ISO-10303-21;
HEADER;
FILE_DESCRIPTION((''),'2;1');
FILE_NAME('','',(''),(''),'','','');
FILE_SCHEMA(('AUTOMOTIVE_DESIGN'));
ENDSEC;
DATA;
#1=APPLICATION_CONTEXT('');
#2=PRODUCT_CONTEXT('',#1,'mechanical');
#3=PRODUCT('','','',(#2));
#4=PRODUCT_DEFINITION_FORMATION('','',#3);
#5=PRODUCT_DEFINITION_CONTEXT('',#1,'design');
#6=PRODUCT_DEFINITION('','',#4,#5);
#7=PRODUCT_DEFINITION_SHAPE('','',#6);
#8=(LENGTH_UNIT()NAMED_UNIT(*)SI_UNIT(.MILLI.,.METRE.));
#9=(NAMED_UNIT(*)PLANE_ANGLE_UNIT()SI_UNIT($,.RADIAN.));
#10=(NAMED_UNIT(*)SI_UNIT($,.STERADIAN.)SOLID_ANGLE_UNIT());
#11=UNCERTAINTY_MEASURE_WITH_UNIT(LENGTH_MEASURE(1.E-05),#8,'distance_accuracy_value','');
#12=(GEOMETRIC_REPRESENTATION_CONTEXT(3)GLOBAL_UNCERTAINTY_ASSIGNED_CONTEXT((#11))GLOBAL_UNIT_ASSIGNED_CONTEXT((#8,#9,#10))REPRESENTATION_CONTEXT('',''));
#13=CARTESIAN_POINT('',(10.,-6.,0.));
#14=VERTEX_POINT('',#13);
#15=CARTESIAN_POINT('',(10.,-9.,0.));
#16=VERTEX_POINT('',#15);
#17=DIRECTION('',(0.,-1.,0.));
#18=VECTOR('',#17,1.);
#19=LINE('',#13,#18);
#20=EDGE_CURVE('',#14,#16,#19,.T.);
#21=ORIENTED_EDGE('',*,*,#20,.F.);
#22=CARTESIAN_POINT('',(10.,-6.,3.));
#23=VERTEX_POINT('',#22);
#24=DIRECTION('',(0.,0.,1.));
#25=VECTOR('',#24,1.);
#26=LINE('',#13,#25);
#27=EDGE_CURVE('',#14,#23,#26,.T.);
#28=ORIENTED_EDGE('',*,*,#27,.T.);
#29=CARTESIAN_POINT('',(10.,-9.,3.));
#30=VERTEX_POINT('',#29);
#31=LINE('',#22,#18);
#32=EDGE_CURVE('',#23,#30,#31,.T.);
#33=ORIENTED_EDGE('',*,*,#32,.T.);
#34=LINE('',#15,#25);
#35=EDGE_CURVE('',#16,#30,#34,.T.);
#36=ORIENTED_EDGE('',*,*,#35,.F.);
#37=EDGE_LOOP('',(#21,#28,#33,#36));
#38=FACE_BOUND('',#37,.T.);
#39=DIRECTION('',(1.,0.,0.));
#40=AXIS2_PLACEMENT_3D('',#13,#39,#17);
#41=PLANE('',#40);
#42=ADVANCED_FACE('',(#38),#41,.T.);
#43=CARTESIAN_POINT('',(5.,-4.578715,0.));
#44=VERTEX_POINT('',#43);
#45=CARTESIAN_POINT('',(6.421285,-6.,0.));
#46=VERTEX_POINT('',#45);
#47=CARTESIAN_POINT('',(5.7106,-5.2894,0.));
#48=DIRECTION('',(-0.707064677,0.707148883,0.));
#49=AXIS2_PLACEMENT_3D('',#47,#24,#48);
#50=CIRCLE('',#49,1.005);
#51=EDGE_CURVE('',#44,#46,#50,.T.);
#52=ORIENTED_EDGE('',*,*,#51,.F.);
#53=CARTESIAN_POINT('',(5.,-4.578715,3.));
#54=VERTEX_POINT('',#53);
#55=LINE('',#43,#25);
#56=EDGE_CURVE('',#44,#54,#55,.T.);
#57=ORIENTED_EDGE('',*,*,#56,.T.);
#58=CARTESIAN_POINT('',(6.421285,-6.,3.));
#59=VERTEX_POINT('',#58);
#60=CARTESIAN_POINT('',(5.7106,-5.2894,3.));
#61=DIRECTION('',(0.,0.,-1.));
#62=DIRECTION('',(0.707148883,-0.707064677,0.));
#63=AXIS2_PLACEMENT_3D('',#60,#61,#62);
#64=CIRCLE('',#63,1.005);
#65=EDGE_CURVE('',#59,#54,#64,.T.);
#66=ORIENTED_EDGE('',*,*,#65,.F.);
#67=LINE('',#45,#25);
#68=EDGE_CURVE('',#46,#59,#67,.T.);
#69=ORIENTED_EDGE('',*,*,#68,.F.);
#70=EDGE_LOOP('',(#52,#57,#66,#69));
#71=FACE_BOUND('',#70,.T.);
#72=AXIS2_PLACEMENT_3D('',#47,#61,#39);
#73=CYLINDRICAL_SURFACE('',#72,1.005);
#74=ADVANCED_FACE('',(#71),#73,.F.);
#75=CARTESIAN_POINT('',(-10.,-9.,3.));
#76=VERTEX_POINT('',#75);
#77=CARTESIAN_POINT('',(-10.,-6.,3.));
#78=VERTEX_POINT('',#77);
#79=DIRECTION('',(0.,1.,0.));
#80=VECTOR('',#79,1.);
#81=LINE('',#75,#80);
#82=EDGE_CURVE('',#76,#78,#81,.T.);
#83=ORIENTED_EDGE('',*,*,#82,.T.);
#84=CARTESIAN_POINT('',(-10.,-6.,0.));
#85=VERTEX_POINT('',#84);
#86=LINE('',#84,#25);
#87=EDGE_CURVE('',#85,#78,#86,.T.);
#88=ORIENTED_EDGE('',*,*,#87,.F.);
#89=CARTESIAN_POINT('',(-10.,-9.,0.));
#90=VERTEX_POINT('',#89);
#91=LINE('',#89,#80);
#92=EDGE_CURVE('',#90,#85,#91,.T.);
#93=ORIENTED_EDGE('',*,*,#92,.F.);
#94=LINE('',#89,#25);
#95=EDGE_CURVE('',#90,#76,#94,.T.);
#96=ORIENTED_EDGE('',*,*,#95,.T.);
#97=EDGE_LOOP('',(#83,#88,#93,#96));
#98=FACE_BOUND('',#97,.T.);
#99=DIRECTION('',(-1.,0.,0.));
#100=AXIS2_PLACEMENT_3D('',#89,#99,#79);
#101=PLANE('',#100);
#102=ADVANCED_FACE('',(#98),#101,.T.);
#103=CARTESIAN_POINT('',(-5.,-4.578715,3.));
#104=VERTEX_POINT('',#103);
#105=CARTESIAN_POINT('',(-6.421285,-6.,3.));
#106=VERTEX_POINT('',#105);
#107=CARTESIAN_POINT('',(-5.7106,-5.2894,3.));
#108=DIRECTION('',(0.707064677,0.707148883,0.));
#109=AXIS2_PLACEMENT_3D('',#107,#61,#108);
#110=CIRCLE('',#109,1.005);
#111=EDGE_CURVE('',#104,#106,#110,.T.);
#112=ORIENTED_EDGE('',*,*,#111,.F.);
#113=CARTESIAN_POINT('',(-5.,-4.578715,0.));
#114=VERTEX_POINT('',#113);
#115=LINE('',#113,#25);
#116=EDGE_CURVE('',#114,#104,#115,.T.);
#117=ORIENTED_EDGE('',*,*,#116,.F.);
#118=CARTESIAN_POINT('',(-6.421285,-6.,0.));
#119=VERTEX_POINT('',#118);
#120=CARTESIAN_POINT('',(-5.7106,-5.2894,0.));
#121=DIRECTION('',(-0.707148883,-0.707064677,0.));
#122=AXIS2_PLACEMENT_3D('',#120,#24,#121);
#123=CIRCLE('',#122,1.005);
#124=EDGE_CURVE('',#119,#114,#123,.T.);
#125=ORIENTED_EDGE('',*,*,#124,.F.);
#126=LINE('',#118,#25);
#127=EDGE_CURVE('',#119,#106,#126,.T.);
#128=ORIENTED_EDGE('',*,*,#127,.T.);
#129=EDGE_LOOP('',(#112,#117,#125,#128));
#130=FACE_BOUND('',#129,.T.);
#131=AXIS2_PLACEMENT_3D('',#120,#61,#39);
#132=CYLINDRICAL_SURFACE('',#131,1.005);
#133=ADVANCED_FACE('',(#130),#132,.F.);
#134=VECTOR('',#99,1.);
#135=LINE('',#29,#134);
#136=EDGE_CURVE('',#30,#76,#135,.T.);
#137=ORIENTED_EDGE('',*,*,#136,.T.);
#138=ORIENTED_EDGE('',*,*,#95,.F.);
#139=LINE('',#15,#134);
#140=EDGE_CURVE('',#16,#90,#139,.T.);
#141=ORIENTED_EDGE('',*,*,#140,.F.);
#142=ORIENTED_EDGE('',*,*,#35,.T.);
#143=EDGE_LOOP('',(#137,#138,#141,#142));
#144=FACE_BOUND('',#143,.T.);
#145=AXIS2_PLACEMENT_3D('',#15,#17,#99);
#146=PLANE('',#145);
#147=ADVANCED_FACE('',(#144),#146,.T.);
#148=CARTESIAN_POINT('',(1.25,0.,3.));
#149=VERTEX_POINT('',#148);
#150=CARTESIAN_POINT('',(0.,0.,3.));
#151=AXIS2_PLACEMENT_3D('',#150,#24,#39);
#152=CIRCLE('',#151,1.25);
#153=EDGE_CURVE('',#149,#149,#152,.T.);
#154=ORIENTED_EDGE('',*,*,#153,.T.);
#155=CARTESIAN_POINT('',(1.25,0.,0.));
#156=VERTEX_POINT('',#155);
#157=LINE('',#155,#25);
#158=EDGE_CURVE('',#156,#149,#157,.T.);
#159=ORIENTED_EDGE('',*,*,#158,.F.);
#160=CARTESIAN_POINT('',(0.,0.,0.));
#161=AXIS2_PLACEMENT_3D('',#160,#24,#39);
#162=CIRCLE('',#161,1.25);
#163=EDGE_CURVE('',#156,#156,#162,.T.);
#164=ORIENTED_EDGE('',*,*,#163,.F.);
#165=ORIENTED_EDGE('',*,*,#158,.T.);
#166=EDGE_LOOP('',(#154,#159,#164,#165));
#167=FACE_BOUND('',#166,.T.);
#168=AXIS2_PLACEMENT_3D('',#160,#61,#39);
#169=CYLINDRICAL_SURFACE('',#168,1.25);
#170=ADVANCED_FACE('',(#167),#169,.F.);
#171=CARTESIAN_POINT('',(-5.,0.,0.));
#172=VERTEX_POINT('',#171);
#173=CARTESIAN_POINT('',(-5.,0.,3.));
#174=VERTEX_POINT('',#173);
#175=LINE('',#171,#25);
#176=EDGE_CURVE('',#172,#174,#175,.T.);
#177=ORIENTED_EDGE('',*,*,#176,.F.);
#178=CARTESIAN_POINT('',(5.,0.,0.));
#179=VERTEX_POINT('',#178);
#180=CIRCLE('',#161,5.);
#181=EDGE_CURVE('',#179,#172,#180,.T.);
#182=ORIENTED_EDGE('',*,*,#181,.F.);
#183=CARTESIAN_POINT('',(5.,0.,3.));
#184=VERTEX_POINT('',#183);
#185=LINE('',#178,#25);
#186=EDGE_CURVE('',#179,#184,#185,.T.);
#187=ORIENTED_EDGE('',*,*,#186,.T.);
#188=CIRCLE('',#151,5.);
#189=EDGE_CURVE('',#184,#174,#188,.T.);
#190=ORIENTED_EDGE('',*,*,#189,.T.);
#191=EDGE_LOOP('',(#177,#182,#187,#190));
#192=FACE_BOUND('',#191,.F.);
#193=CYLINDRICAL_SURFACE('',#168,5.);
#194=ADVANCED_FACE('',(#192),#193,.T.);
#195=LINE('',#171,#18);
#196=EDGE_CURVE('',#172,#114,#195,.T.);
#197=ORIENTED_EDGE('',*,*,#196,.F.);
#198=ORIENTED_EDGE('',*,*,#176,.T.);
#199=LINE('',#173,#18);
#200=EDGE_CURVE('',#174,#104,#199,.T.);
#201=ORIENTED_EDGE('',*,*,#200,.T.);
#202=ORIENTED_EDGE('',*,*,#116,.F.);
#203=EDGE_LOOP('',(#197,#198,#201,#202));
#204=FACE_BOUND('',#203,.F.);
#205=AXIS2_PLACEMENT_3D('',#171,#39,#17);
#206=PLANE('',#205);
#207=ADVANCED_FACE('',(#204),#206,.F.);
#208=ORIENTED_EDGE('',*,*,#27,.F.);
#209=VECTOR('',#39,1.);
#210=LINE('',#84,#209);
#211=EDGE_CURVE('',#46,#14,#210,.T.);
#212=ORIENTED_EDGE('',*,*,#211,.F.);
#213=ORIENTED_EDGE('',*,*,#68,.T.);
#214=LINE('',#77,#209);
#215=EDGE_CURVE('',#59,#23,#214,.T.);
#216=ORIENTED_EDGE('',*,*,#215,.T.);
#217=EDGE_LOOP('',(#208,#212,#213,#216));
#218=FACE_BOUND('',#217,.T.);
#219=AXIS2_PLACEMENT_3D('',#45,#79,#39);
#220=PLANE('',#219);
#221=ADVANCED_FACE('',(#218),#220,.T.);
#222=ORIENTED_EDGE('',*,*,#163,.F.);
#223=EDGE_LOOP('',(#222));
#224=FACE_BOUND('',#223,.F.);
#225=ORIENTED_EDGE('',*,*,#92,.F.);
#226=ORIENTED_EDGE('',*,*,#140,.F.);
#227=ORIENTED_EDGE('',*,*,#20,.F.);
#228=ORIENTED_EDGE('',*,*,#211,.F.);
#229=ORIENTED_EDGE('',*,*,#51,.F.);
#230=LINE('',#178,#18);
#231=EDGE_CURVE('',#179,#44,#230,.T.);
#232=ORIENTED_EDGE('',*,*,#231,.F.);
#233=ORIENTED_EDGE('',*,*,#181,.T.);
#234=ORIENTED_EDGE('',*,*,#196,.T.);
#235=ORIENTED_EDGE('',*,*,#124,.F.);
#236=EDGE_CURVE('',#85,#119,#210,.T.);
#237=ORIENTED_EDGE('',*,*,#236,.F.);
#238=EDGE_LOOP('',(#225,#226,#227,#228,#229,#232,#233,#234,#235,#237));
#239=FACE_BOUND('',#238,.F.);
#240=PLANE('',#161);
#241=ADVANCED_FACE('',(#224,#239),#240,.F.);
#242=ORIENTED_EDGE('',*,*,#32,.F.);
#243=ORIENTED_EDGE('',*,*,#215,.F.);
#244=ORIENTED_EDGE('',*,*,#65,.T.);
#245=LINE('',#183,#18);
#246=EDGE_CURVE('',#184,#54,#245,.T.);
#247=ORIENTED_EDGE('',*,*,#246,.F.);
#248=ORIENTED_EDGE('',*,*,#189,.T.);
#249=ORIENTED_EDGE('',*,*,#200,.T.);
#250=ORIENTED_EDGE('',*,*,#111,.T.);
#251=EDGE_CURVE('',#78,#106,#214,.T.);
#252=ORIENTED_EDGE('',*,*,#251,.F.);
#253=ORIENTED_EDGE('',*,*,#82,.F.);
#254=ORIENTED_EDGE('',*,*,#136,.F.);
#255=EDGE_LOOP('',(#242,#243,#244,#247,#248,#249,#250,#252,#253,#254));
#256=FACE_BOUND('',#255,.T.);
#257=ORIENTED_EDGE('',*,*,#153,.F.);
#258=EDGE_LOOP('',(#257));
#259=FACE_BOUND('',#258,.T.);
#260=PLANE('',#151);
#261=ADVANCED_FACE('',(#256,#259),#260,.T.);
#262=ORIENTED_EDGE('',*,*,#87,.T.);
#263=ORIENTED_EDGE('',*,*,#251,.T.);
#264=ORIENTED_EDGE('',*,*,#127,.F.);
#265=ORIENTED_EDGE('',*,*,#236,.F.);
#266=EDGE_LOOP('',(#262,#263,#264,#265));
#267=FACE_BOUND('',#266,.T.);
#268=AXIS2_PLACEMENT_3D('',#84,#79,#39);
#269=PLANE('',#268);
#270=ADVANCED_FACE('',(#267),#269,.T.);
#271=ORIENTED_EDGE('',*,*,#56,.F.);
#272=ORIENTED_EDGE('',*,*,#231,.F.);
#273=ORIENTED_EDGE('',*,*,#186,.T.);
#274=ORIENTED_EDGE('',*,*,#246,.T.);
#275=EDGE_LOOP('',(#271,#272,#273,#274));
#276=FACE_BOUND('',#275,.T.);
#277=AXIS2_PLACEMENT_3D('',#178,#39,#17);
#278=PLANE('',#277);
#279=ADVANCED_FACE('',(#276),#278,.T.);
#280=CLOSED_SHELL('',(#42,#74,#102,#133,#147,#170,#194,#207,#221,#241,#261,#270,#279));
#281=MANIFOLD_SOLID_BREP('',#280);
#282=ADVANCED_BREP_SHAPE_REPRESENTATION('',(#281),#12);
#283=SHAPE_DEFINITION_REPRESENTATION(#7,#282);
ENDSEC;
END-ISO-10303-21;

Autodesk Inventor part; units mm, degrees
ref_plane "YZ Plane" through (0, 0, 0) normal (1, 0, 0) x (0, 1, 0)
ref_plane "XZ Plane" through (0, 0, 0) normal (0, 1, 0) x (-1, 0, 0)
ref_plane "XY Plane" through (0, 0, 0) normal (0, 0, 1) x (1, 0, 0)
sketch "スケッチ1" plane through (0, 0, 0) normal (0, 0, 1) x (1, 0, 0)
  circle A0 centre (0, 0) radius 1.25
  circle A1 centre (0, 0) radius 5
  line L0 (-10, -6) -> (10, -6)
  line L1 (10, -6) -> (10, -9)
  line L2 (10, -9) -> (-10, -9)
  line L3 (-10, -9) -> (-10, -6)
  line L4 (-5, 0) -> (-5, -6)
  line L5 (5, 0) -> (5, -6)
  circle A2 centre (-5.7106, -5.2894) radius 1.005
  circle A3 centre (5.7106, -5.2894) radius 1.005
  line L6 (-5.7106, -5.2894) -> (-5, -6)
  line L7 (5.7106, -5.2894) -> (5, -6)
  point P0 (6.4213, -6)
  point P1 (5, -4.5787)
  point P2 (-5, -4.5787)
  point P3 (-6.4213, -6)
  dimension "d7" = 2.01
  dimension "d8" = 2.01
  dimension "d0" = 2.5
  dimension "d1" = 10
  dimension "d2" = 3
  dimension "d3" = 20
  dimension "d4" = 6
  dimension "d5" = 5
  dimension "d6" = 6
  dimension "d9" = 45
  dimension "d10" = 45
extrude "押し出し1" add sketch "スケッチ1" along normal blind 3 contours A1 | L5 A3 L0 A2 L4 A1 | A3 L0 L1 L2 L3 A2
thread "ねじ1" size "M3x0.5" class "6H" standard "ANSI Metric M Profile" full length
sketch "スケッチ2" plane through (0, 0, 3) normal (0, 0, 1) x (1, 0, 0)
  line L0 (-10, -6) -> (-10, -9) projected
  line L1 (-10, -9) -> (10, -9) projected
  line L2 (10, -9) -> (10, -6) projected
  line L3 (10, -6) -> (6.4213, -6) projected
  arc A0 (5, -4.5787) -> (6.4213, -6) centre (5.7106, -5.2894) ccw projected
  line L4 (5, -4.5787) -> (5, 0) projected
  arc A1 (5, 0) -> (-5, 0) centre (0, 0) ccw projected
  line L5 (-5, 0) -> (-5, -4.5787) projected
  arc A2 (-6.4213, -6) -> (-5, -4.5787) centre (-5.7106, -5.2894) ccw projected
  line L6 (-6.4213, -6) -> (-10, -6) projected
  circle A3 centre (0, 0) radius 1.25 projected
properties part number "T字金具M3" material "アルミニウム 7075"
